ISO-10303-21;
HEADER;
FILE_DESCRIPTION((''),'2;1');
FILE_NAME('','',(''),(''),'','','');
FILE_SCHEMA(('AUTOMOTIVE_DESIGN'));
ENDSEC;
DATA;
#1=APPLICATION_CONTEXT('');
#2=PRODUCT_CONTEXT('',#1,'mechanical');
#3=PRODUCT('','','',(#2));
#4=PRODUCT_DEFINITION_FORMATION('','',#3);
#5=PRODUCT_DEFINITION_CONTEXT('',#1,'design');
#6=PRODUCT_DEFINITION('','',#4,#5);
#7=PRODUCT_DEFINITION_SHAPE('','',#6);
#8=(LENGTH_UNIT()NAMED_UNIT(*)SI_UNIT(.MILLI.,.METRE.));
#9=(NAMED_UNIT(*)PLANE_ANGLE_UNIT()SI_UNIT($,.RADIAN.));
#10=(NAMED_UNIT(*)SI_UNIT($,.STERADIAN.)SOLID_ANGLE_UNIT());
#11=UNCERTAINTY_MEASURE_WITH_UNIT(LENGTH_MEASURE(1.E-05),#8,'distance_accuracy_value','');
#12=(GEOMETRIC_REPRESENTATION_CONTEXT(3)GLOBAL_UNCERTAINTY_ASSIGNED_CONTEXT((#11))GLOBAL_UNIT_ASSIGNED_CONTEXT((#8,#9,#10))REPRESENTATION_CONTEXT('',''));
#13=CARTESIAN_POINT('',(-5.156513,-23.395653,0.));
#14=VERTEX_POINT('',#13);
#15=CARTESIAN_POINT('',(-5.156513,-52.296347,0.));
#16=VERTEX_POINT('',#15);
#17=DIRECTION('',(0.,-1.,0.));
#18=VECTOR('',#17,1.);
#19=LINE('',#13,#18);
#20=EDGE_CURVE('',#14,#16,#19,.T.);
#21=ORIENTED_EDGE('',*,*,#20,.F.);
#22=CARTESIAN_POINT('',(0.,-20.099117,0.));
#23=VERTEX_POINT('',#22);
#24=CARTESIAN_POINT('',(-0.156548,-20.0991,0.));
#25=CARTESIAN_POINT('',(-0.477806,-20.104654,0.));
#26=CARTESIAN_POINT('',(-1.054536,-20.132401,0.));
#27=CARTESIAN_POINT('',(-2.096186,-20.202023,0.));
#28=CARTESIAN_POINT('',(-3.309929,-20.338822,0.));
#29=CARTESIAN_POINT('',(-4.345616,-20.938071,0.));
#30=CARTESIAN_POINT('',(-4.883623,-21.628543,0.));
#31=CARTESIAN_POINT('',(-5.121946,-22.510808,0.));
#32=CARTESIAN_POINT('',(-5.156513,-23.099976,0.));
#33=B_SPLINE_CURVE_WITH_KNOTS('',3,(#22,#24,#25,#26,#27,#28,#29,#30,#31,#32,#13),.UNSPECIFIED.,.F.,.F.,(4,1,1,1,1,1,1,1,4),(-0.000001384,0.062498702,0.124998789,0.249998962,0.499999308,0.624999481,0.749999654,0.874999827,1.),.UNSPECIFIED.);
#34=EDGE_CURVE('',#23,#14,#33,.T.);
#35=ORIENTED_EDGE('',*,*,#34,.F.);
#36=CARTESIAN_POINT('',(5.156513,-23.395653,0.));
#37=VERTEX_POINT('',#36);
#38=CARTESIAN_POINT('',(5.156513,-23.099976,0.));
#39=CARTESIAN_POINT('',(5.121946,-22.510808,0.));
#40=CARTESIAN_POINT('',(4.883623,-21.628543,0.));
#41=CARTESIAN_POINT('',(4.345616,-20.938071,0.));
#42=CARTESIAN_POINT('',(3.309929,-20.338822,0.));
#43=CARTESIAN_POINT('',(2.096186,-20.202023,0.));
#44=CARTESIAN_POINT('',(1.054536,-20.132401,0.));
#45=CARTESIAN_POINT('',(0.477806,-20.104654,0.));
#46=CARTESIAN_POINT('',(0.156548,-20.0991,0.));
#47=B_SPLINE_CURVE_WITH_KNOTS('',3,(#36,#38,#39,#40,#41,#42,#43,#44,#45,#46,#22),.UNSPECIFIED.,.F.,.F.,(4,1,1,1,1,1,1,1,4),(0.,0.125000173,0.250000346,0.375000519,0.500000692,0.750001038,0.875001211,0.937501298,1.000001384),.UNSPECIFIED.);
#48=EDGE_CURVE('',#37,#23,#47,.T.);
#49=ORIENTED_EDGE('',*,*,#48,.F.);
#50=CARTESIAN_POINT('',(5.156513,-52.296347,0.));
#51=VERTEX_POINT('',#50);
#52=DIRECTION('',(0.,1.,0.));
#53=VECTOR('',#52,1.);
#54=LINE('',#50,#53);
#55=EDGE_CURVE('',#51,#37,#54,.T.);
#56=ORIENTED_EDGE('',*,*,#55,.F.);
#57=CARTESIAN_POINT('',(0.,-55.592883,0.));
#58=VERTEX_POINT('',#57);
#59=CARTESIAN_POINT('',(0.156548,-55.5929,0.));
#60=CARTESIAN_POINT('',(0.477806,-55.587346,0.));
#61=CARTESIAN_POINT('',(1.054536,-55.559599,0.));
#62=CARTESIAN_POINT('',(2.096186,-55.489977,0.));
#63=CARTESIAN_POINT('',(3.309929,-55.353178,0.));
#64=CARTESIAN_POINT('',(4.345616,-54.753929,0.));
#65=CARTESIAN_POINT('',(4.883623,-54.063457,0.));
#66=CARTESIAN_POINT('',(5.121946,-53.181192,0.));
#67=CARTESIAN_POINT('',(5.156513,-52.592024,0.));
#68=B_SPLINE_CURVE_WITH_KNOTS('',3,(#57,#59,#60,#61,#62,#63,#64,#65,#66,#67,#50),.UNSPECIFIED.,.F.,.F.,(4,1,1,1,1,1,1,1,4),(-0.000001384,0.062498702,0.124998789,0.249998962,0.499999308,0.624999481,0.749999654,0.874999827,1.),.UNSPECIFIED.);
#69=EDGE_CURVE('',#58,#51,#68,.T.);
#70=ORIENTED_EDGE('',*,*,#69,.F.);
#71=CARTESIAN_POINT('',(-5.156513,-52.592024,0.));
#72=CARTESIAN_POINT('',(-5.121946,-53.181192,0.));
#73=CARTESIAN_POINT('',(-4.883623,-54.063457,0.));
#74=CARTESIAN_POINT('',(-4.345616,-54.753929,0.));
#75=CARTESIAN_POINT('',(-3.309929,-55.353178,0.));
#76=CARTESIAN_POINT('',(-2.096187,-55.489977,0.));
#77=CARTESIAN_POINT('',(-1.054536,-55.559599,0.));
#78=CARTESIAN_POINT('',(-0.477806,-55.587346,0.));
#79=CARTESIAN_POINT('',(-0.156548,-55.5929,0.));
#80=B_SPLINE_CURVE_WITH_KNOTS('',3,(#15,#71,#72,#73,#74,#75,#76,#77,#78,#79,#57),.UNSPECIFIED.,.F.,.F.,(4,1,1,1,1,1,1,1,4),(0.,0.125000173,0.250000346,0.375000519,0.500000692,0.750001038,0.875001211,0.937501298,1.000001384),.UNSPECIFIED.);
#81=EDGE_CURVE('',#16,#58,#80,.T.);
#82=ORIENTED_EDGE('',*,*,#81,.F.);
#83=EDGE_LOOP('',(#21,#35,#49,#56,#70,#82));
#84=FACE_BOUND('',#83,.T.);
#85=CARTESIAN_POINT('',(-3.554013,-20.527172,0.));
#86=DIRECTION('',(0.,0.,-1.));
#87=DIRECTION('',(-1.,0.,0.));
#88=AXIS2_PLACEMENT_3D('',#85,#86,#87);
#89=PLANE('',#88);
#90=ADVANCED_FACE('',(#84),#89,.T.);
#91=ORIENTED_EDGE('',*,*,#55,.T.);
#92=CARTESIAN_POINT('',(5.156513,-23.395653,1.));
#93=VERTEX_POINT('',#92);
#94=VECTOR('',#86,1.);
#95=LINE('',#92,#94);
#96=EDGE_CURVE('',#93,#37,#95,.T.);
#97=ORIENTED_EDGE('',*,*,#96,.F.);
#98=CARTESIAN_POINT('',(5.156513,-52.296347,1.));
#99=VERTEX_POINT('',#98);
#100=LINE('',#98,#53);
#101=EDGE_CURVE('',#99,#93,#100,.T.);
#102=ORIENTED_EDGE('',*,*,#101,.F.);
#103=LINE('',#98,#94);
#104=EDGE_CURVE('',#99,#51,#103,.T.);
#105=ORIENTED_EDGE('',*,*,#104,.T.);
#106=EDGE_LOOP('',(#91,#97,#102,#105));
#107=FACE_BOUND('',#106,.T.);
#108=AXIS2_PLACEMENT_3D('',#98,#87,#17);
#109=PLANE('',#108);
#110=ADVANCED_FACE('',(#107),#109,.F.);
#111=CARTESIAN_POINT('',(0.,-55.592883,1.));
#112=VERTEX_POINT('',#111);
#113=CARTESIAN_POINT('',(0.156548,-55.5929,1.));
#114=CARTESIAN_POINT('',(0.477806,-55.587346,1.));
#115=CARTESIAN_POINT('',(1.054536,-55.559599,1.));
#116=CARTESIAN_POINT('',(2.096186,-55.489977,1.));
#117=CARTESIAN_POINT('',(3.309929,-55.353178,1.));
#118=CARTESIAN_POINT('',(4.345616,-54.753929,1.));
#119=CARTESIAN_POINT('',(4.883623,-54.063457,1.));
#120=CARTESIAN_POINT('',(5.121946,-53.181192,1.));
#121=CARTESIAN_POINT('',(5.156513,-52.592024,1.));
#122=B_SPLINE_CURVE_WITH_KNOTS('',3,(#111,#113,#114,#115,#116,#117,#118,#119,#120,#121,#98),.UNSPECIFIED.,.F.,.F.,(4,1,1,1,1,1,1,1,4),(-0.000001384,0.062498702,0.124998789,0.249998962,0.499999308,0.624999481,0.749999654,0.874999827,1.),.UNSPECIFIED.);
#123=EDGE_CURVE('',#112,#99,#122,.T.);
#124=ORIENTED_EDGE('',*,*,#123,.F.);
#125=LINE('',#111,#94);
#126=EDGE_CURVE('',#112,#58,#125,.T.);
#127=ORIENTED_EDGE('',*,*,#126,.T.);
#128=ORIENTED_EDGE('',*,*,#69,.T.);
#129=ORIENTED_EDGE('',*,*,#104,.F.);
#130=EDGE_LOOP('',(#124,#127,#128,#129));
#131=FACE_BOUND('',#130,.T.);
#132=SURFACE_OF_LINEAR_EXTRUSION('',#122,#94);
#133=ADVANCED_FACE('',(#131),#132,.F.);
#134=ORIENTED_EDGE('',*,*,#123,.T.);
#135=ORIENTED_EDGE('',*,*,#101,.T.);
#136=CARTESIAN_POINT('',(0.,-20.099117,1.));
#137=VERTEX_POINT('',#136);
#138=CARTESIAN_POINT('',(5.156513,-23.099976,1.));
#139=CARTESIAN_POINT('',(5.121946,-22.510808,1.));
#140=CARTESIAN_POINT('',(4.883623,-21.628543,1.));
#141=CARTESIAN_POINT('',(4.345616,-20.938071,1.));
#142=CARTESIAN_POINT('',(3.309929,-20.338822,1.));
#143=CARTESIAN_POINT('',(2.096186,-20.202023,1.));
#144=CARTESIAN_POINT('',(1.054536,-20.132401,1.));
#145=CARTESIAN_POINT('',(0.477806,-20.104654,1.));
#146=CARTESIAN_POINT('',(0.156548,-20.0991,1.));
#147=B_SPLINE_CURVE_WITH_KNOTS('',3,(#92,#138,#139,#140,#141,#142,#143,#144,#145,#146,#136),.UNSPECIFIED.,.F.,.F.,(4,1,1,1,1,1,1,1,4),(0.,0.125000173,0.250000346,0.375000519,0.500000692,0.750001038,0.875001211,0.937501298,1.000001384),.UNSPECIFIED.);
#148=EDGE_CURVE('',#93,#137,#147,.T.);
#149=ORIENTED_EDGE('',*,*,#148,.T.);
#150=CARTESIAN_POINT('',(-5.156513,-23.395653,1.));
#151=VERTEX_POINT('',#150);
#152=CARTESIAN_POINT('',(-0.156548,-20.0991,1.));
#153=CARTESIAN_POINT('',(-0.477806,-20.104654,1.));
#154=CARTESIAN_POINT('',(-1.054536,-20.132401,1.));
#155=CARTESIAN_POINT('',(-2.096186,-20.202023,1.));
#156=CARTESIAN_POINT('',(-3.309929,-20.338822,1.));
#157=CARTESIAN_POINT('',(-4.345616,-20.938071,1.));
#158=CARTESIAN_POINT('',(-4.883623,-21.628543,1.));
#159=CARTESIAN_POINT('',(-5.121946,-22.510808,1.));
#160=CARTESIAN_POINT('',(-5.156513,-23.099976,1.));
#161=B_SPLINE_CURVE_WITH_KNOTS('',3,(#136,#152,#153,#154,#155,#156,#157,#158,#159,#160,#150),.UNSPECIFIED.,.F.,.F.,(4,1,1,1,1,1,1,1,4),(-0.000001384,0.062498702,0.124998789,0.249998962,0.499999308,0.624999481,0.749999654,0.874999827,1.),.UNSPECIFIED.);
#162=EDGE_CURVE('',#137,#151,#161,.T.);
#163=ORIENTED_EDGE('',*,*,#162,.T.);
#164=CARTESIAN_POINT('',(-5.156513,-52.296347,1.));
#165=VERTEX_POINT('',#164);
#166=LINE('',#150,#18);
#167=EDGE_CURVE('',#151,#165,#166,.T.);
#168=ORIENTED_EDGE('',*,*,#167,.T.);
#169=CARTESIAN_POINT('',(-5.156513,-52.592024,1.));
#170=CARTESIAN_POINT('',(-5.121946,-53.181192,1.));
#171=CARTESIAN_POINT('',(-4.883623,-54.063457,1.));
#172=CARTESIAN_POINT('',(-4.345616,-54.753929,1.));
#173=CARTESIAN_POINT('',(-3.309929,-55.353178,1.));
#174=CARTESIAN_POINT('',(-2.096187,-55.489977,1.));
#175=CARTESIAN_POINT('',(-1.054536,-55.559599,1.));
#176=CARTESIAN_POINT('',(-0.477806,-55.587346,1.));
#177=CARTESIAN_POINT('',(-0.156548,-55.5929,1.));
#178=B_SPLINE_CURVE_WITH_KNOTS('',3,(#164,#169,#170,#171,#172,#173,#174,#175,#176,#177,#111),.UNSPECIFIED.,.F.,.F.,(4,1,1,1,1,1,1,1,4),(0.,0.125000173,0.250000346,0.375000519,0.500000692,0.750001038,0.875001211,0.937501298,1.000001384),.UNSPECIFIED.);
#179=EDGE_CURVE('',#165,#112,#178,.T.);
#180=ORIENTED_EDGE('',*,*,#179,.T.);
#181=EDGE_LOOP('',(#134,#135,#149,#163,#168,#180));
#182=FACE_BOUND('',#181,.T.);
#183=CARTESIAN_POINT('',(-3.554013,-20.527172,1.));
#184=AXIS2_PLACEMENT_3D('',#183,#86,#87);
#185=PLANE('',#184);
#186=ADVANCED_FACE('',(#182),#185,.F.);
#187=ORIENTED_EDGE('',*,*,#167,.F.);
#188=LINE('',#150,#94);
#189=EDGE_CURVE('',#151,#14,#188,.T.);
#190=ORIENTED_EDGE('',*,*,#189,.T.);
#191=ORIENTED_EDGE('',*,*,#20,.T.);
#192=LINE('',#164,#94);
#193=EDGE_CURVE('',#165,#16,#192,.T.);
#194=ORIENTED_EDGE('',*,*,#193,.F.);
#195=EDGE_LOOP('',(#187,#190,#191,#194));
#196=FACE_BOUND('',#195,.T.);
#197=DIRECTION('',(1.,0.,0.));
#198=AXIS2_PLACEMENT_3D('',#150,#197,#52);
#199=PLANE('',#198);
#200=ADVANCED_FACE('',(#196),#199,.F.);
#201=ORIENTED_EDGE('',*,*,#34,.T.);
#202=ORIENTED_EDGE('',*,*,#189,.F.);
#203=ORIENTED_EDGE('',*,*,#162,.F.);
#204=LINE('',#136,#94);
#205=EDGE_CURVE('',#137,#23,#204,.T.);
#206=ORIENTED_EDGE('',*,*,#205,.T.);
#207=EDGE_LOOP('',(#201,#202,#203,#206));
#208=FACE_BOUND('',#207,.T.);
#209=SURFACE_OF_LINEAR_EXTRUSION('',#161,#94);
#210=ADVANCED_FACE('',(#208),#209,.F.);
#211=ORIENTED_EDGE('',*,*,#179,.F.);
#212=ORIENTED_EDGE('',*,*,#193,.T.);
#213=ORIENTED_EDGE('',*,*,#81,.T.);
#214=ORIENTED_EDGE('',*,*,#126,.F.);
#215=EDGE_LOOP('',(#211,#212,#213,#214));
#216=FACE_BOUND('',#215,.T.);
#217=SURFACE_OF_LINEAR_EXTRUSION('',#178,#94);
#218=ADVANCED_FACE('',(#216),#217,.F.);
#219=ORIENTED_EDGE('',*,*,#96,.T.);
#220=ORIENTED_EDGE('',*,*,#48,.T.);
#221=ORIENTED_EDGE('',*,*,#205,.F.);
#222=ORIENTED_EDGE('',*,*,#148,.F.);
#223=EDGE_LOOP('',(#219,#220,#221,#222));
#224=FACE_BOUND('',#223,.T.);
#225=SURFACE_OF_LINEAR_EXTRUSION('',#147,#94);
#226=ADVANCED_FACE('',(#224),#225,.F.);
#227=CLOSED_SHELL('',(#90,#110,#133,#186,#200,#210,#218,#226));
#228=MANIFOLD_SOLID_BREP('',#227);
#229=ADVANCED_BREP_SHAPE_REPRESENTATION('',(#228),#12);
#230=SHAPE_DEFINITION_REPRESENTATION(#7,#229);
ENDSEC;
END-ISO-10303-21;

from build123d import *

# Parameters (mm, degrees)
EXTRUDE_1_DEPTH = 1


with BuildPart() as part:
    # 草图1 → 凸台-拉伸1 (new body)
    with BuildSketch(Plane.XY):
        with BuildLine():
            Line((-5.156513066, -23.395653078), (-5.156513076, -52.29634699))
            add(Edge.make_bspline(
                [(-5.156513076, -52.29634699), (-5.156513076, -52.592023575), (-5.121946258, -53.18119242), (-4.883623314, -54.063457093), (-4.345616159, -54.753929213), (-3.309929308, -55.353177735), (-2.096186503, -55.489977412), (-1.054536008, -55.5595988), (-0.477806475, -55.587346335), (-0.156548342, -55.59289984), (-6.7e-08, -55.592882672)],
                knots=[0, 0, 0, 0, 0.125000173, 0.250000346, 0.375000519, 0.500000692, 0.750001038, 0.875001211, 0.937501298, 1.000001384, 1.000001384, 1.000001384, 1.000001384], degree=3))
            add(Edge.make_bspline(
                [(-6.7e-08, -55.592882672), (0.156548209, -55.59289984), (0.477806342, -55.587346335), (1.054535874, -55.5595988), (2.09618637, -55.489977413), (3.309929175, -55.353177737), (4.345616026, -54.753929216), (4.883623182, -54.063457096), (5.121946126, -53.181192423), (5.156512945, -52.592023578), (5.156512945, -52.296346994)],
                knots=[-1.384e-06, -1.384e-06, -1.384e-06, -1.384e-06, 0.062498702, 0.124998789, 0.249998962, 0.499999308, 0.624999481, 0.749999654, 0.874999827, 1, 1, 1, 1], degree=3))
            Line((5.156512945, -52.296346994), (5.156512955, -23.395653081))
            add(Edge.make_bspline(
                [(5.156512955, -23.395653081), (5.156512955, -23.099976497), (5.121946137, -22.510807652), (4.883623193, -21.628542979), (4.345616038, -20.938070858), (3.309929187, -20.338822336), (2.096186382, -20.20202266), (1.054535887, -20.132401272), (0.477806354, -20.104653737), (0.156548221, -20.099100231), (-5.4e-08, -20.0991174)],
                knots=[0, 0, 0, 0, 0.125000173, 0.250000346, 0.375000519, 0.500000692, 0.750001038, 0.875001211, 0.937501298, 1.000001384, 1.000001384, 1.000001384, 1.000001384], degree=3))
            add(Edge.make_bspline(
                [(-5.4e-08, -20.0991174), (-0.15654833, -20.099100231), (-0.477806463, -20.104653736), (-1.054535995, -20.132401271), (-2.096186491, -20.202022658), (-3.309929296, -20.338822334), (-4.345616147, -20.938070855), (-4.883623303, -21.628542975), (-5.121946247, -22.510807648), (-5.156513066, -23.099976493), (-5.156513066, -23.395653078)],
                knots=[-1.384e-06, -1.384e-06, -1.384e-06, -1.384e-06, 0.062498702, 0.124998789, 0.249998962, 0.499999308, 0.624999481, 0.749999654, 0.874999827, 1, 1, 1, 1], degree=3))
        make_face()
    extrude(amount=EXTRUDE_1_DEPTH)


solid = part.part
